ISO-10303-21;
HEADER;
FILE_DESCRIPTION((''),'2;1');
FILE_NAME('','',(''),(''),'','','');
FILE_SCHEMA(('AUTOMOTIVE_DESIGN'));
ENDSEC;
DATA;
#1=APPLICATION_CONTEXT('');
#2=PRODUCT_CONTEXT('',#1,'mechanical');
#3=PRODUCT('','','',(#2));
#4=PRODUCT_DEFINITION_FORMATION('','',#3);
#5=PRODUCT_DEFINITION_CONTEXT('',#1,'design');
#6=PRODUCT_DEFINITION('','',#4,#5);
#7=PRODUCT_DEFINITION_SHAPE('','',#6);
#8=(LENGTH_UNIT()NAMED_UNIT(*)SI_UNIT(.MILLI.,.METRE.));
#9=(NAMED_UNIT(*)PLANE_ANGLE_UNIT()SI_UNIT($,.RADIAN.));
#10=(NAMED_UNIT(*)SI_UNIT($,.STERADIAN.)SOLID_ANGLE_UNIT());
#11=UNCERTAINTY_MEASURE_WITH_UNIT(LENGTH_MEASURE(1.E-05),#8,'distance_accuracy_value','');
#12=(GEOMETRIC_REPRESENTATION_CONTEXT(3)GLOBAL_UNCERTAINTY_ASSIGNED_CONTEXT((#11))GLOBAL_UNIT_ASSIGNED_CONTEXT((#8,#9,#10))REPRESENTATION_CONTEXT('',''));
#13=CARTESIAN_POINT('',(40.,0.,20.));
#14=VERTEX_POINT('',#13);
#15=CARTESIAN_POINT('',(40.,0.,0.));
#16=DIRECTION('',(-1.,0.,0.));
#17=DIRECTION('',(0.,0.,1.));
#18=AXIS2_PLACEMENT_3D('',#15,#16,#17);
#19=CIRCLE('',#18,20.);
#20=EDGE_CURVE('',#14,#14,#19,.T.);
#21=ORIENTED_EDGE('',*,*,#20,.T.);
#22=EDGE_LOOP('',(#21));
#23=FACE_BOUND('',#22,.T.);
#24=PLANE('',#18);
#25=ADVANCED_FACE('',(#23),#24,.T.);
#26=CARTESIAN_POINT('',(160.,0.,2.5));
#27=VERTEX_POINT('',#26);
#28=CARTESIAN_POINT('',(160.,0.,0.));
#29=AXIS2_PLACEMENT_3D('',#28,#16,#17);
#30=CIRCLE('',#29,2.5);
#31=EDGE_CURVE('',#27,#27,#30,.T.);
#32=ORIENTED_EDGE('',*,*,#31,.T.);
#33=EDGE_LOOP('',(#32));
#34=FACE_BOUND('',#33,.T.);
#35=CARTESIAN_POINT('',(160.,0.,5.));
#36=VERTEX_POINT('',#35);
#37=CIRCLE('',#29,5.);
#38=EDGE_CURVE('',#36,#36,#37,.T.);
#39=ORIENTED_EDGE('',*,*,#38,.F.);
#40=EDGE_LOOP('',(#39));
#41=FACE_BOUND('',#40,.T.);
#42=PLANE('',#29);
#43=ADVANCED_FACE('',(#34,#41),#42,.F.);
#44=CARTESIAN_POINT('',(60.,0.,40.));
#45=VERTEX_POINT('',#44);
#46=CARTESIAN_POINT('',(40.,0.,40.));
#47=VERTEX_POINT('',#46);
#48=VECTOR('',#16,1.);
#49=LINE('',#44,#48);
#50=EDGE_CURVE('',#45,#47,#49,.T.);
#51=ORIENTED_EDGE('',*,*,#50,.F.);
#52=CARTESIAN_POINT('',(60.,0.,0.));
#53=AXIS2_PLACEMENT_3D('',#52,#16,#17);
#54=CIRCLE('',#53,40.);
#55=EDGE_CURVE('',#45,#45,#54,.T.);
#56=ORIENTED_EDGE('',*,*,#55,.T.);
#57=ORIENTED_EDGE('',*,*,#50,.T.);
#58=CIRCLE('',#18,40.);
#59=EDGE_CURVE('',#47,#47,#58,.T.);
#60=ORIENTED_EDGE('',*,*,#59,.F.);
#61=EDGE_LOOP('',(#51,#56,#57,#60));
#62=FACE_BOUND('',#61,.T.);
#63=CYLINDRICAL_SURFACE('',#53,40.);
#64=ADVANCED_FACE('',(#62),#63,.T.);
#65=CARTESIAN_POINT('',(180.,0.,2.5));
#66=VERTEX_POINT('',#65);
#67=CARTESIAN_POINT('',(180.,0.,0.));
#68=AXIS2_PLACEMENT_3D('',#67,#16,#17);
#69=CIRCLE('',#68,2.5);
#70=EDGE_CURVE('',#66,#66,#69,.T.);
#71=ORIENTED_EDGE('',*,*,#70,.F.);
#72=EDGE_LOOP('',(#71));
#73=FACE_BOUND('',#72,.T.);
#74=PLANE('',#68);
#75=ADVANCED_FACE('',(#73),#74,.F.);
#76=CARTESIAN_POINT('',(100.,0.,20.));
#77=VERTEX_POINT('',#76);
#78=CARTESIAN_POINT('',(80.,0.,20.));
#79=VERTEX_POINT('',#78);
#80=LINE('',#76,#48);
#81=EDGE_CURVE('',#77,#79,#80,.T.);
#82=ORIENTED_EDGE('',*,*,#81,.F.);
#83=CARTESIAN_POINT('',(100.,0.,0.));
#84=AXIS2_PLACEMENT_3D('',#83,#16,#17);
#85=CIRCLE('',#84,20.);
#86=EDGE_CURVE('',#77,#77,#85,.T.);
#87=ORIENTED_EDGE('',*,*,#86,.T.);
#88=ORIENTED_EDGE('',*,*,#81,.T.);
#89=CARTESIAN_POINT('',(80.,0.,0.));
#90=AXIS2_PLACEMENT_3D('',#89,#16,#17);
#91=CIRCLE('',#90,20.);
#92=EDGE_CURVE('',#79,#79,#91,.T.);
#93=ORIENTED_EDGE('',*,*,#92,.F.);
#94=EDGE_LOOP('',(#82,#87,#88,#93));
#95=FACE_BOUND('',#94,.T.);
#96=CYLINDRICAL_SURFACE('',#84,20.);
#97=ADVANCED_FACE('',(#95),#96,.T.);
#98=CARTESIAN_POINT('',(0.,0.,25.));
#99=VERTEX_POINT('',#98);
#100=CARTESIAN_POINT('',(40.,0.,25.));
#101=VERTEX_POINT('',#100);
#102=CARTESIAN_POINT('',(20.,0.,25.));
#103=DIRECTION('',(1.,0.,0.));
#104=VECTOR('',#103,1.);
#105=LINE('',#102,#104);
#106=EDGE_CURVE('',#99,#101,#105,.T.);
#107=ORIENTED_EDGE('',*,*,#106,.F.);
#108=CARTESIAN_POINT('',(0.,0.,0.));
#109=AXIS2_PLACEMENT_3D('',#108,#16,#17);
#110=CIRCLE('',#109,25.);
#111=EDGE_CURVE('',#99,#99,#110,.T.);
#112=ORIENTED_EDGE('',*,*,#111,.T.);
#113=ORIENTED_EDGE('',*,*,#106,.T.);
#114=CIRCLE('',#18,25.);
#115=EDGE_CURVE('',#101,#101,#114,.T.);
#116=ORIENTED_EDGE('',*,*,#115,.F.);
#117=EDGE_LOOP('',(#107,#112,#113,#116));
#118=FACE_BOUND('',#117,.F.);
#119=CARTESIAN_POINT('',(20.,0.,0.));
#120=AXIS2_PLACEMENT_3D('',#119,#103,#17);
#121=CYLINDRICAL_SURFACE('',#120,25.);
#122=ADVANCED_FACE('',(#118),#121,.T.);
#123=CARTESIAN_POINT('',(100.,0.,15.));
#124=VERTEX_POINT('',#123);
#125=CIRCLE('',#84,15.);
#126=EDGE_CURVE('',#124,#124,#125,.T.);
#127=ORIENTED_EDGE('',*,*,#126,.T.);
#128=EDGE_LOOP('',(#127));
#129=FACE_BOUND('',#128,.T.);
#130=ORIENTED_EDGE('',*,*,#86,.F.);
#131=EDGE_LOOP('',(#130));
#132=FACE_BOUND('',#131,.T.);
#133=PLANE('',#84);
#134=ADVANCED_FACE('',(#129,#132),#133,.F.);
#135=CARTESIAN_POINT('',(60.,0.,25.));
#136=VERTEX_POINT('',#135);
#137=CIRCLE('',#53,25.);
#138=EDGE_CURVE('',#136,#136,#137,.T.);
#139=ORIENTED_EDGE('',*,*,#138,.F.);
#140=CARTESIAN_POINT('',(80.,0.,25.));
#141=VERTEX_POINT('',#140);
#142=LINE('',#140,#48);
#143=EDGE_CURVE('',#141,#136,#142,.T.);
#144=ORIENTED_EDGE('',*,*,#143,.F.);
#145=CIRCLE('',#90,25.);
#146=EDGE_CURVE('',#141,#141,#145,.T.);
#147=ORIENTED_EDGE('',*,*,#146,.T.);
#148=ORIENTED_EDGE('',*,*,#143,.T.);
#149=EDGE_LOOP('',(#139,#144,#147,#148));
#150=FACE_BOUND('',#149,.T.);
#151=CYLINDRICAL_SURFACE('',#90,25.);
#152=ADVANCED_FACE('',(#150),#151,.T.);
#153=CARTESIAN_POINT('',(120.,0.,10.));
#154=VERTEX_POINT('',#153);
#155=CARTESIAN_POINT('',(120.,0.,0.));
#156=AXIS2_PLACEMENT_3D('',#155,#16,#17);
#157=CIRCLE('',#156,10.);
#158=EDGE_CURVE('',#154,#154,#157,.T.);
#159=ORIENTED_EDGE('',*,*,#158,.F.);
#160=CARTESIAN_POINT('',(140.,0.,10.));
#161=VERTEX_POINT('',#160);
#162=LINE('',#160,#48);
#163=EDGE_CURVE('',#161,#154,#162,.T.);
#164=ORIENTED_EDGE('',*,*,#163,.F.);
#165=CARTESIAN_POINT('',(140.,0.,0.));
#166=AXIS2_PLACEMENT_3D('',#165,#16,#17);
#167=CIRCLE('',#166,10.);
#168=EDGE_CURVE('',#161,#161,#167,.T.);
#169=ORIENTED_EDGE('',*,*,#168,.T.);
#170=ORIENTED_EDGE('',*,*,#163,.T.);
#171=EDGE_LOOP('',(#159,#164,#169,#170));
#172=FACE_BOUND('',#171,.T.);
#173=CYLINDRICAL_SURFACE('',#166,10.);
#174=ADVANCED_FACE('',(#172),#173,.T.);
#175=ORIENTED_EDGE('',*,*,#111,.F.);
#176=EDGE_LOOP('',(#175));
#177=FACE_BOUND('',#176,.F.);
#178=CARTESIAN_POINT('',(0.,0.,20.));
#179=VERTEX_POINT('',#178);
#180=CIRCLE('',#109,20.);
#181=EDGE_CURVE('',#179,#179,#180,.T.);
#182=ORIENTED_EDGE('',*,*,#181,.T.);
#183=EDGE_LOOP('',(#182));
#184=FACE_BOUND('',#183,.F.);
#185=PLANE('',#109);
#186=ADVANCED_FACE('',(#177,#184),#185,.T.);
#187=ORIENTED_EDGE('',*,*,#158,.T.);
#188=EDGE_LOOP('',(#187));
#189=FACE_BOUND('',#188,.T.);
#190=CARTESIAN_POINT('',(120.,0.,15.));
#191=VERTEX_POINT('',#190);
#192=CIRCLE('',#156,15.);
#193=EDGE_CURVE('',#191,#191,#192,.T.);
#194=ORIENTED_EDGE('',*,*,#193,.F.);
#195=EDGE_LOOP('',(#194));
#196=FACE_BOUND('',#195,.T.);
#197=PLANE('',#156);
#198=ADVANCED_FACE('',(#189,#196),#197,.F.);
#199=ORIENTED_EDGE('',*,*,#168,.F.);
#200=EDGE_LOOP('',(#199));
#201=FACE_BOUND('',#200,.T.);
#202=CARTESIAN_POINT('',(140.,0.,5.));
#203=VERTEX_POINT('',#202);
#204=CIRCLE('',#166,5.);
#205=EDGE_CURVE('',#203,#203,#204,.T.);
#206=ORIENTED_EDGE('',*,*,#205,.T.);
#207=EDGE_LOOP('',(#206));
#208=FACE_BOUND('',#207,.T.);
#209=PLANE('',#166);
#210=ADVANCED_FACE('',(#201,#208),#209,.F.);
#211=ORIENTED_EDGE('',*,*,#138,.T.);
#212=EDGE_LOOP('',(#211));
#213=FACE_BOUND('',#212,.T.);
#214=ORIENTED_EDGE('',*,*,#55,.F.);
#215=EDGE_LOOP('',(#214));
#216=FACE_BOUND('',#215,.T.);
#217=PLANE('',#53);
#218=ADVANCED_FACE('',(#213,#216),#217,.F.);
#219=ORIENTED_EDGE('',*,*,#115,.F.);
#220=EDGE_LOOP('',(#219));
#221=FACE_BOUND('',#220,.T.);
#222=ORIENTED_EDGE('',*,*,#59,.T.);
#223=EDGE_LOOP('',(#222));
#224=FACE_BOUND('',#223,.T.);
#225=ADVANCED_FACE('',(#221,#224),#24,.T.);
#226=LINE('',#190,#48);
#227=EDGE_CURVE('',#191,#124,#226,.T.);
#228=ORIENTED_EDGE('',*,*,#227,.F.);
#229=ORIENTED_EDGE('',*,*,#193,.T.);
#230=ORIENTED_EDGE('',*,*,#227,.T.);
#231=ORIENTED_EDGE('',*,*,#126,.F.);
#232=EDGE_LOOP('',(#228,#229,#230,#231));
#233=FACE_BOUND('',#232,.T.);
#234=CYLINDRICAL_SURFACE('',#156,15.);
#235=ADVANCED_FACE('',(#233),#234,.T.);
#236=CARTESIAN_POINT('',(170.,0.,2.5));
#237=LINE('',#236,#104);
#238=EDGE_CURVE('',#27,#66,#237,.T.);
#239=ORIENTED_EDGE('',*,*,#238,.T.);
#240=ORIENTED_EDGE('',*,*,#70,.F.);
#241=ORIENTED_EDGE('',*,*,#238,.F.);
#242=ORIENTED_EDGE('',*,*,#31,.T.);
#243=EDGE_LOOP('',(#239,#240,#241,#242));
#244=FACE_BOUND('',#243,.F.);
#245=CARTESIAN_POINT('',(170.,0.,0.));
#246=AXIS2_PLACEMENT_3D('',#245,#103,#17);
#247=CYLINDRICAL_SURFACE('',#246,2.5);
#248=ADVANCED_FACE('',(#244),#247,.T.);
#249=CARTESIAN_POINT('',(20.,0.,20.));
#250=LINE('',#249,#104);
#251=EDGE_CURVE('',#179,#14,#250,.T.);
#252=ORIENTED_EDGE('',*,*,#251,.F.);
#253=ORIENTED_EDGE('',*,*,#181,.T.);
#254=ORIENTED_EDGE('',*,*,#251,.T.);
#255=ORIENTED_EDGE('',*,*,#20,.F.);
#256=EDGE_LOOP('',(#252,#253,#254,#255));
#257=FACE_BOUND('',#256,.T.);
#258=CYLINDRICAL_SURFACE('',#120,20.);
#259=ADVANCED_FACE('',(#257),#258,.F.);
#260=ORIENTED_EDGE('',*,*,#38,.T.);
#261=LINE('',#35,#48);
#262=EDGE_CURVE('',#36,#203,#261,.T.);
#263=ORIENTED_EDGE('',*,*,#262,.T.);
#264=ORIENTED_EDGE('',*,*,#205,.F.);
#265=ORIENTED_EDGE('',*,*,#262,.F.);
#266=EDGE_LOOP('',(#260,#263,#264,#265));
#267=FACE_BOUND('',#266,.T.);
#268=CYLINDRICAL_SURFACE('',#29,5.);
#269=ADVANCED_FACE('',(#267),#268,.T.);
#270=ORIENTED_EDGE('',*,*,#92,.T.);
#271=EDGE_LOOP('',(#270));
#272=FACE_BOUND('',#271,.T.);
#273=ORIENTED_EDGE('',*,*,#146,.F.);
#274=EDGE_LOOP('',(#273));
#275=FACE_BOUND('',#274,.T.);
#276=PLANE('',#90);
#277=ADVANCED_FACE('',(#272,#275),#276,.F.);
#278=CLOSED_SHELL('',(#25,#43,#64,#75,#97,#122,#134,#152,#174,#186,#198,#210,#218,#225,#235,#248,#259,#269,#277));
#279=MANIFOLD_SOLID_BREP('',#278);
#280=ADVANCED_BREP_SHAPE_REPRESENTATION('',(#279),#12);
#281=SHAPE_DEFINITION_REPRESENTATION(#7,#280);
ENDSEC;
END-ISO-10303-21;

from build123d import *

# Parameters (mm, degrees)
F0_W   = 40
F0_H   = 5
F0_W_2 = 20
F0_H_2 = 2.5


with BuildPart() as f1:
    # F0 (on Front) → F1 (revolve)
    with BuildSketch(Plane.XZ):
        with Locations((20, 22.5)):
            Rectangle(F0_W, F0_H)
        Polygon((40, 20), (40, 0), (60, 0), (60, 25), (60, 40), (40, 40), (40, 25), align=None)
        Polygon((60, 25), (60, 0), (80, 0), (80, 20), (80, 25), align=None)
        Polygon((80, 20), (80, 0), (100, 0), (100, 15), (100, 20), align=None)
        Polygon((100, 15), (100, 0), (120, 0), (120, 10), (120, 15), align=None)
        Polygon((120, 10), (120, 0), (140, 0), (140, 5), (140, 10), align=None)
        Polygon((140, 5), (140, 0), (160, 0), (160, 2.5), (160, 5), align=None)
        with Locations((170, 1.25)):
            Rectangle(F0_W_2, F0_H_2)
    revolve(axis=Axis((90, 0, 0), (-1, 0, 0)))


solid = f1.part
